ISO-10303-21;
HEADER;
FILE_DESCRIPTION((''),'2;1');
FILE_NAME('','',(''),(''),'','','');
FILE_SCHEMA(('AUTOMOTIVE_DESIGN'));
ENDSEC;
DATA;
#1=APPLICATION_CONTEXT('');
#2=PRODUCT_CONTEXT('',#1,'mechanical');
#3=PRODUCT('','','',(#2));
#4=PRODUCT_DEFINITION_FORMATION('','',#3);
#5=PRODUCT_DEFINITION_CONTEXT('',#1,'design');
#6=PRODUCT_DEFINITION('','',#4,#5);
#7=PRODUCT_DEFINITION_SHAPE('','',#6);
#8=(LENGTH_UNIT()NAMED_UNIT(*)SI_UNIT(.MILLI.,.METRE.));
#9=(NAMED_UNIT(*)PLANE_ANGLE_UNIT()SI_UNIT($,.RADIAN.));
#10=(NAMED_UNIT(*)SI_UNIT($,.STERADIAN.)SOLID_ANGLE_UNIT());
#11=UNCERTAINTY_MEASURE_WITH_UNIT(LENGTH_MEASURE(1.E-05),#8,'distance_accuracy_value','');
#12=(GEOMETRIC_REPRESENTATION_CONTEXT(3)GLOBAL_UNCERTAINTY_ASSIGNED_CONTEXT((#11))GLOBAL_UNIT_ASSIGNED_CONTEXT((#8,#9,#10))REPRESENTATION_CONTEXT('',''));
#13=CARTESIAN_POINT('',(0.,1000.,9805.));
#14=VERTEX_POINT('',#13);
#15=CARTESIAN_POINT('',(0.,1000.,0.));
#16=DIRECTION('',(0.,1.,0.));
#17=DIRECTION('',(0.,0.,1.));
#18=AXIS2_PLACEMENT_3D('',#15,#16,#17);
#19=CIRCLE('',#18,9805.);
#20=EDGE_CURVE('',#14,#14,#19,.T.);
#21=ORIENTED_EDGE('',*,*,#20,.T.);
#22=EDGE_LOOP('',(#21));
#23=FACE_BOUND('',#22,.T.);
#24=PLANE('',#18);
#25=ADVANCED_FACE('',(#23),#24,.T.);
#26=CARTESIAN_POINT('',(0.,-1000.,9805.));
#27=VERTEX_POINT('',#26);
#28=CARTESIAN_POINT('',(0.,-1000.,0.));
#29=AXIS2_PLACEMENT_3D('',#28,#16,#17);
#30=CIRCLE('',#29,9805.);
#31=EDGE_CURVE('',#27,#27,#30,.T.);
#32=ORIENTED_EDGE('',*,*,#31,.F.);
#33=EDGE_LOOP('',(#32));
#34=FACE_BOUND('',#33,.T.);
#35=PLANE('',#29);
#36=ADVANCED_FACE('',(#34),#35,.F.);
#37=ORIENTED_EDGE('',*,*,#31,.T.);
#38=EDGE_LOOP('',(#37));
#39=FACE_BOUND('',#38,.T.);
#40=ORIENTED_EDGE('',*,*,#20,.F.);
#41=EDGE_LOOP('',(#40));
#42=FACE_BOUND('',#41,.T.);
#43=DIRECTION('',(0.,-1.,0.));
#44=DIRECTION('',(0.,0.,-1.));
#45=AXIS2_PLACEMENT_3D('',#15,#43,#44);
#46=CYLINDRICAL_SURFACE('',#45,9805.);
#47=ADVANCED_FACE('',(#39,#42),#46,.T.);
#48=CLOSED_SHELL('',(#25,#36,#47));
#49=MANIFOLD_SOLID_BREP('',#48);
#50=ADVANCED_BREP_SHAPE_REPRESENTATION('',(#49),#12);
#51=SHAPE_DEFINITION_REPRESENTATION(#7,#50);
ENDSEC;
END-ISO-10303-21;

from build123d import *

# Parameters (mm, degrees)
SKETCH1_R           = 9805
BOSS_EXTRUDE1_DEPTH = 1000


with BuildPart() as part:
    # Sketch1 → Boss-Extrude1 (new body, symmetric)
    with BuildSketch(Plane(origin=(0, 0, 0), x_dir=(1, 0, 0), z_dir=(0, 1, 0))):
        Circle(SKETCH1_R)
    extrude(amount=BOSS_EXTRUDE1_DEPTH, both=True)


solid = part.part
